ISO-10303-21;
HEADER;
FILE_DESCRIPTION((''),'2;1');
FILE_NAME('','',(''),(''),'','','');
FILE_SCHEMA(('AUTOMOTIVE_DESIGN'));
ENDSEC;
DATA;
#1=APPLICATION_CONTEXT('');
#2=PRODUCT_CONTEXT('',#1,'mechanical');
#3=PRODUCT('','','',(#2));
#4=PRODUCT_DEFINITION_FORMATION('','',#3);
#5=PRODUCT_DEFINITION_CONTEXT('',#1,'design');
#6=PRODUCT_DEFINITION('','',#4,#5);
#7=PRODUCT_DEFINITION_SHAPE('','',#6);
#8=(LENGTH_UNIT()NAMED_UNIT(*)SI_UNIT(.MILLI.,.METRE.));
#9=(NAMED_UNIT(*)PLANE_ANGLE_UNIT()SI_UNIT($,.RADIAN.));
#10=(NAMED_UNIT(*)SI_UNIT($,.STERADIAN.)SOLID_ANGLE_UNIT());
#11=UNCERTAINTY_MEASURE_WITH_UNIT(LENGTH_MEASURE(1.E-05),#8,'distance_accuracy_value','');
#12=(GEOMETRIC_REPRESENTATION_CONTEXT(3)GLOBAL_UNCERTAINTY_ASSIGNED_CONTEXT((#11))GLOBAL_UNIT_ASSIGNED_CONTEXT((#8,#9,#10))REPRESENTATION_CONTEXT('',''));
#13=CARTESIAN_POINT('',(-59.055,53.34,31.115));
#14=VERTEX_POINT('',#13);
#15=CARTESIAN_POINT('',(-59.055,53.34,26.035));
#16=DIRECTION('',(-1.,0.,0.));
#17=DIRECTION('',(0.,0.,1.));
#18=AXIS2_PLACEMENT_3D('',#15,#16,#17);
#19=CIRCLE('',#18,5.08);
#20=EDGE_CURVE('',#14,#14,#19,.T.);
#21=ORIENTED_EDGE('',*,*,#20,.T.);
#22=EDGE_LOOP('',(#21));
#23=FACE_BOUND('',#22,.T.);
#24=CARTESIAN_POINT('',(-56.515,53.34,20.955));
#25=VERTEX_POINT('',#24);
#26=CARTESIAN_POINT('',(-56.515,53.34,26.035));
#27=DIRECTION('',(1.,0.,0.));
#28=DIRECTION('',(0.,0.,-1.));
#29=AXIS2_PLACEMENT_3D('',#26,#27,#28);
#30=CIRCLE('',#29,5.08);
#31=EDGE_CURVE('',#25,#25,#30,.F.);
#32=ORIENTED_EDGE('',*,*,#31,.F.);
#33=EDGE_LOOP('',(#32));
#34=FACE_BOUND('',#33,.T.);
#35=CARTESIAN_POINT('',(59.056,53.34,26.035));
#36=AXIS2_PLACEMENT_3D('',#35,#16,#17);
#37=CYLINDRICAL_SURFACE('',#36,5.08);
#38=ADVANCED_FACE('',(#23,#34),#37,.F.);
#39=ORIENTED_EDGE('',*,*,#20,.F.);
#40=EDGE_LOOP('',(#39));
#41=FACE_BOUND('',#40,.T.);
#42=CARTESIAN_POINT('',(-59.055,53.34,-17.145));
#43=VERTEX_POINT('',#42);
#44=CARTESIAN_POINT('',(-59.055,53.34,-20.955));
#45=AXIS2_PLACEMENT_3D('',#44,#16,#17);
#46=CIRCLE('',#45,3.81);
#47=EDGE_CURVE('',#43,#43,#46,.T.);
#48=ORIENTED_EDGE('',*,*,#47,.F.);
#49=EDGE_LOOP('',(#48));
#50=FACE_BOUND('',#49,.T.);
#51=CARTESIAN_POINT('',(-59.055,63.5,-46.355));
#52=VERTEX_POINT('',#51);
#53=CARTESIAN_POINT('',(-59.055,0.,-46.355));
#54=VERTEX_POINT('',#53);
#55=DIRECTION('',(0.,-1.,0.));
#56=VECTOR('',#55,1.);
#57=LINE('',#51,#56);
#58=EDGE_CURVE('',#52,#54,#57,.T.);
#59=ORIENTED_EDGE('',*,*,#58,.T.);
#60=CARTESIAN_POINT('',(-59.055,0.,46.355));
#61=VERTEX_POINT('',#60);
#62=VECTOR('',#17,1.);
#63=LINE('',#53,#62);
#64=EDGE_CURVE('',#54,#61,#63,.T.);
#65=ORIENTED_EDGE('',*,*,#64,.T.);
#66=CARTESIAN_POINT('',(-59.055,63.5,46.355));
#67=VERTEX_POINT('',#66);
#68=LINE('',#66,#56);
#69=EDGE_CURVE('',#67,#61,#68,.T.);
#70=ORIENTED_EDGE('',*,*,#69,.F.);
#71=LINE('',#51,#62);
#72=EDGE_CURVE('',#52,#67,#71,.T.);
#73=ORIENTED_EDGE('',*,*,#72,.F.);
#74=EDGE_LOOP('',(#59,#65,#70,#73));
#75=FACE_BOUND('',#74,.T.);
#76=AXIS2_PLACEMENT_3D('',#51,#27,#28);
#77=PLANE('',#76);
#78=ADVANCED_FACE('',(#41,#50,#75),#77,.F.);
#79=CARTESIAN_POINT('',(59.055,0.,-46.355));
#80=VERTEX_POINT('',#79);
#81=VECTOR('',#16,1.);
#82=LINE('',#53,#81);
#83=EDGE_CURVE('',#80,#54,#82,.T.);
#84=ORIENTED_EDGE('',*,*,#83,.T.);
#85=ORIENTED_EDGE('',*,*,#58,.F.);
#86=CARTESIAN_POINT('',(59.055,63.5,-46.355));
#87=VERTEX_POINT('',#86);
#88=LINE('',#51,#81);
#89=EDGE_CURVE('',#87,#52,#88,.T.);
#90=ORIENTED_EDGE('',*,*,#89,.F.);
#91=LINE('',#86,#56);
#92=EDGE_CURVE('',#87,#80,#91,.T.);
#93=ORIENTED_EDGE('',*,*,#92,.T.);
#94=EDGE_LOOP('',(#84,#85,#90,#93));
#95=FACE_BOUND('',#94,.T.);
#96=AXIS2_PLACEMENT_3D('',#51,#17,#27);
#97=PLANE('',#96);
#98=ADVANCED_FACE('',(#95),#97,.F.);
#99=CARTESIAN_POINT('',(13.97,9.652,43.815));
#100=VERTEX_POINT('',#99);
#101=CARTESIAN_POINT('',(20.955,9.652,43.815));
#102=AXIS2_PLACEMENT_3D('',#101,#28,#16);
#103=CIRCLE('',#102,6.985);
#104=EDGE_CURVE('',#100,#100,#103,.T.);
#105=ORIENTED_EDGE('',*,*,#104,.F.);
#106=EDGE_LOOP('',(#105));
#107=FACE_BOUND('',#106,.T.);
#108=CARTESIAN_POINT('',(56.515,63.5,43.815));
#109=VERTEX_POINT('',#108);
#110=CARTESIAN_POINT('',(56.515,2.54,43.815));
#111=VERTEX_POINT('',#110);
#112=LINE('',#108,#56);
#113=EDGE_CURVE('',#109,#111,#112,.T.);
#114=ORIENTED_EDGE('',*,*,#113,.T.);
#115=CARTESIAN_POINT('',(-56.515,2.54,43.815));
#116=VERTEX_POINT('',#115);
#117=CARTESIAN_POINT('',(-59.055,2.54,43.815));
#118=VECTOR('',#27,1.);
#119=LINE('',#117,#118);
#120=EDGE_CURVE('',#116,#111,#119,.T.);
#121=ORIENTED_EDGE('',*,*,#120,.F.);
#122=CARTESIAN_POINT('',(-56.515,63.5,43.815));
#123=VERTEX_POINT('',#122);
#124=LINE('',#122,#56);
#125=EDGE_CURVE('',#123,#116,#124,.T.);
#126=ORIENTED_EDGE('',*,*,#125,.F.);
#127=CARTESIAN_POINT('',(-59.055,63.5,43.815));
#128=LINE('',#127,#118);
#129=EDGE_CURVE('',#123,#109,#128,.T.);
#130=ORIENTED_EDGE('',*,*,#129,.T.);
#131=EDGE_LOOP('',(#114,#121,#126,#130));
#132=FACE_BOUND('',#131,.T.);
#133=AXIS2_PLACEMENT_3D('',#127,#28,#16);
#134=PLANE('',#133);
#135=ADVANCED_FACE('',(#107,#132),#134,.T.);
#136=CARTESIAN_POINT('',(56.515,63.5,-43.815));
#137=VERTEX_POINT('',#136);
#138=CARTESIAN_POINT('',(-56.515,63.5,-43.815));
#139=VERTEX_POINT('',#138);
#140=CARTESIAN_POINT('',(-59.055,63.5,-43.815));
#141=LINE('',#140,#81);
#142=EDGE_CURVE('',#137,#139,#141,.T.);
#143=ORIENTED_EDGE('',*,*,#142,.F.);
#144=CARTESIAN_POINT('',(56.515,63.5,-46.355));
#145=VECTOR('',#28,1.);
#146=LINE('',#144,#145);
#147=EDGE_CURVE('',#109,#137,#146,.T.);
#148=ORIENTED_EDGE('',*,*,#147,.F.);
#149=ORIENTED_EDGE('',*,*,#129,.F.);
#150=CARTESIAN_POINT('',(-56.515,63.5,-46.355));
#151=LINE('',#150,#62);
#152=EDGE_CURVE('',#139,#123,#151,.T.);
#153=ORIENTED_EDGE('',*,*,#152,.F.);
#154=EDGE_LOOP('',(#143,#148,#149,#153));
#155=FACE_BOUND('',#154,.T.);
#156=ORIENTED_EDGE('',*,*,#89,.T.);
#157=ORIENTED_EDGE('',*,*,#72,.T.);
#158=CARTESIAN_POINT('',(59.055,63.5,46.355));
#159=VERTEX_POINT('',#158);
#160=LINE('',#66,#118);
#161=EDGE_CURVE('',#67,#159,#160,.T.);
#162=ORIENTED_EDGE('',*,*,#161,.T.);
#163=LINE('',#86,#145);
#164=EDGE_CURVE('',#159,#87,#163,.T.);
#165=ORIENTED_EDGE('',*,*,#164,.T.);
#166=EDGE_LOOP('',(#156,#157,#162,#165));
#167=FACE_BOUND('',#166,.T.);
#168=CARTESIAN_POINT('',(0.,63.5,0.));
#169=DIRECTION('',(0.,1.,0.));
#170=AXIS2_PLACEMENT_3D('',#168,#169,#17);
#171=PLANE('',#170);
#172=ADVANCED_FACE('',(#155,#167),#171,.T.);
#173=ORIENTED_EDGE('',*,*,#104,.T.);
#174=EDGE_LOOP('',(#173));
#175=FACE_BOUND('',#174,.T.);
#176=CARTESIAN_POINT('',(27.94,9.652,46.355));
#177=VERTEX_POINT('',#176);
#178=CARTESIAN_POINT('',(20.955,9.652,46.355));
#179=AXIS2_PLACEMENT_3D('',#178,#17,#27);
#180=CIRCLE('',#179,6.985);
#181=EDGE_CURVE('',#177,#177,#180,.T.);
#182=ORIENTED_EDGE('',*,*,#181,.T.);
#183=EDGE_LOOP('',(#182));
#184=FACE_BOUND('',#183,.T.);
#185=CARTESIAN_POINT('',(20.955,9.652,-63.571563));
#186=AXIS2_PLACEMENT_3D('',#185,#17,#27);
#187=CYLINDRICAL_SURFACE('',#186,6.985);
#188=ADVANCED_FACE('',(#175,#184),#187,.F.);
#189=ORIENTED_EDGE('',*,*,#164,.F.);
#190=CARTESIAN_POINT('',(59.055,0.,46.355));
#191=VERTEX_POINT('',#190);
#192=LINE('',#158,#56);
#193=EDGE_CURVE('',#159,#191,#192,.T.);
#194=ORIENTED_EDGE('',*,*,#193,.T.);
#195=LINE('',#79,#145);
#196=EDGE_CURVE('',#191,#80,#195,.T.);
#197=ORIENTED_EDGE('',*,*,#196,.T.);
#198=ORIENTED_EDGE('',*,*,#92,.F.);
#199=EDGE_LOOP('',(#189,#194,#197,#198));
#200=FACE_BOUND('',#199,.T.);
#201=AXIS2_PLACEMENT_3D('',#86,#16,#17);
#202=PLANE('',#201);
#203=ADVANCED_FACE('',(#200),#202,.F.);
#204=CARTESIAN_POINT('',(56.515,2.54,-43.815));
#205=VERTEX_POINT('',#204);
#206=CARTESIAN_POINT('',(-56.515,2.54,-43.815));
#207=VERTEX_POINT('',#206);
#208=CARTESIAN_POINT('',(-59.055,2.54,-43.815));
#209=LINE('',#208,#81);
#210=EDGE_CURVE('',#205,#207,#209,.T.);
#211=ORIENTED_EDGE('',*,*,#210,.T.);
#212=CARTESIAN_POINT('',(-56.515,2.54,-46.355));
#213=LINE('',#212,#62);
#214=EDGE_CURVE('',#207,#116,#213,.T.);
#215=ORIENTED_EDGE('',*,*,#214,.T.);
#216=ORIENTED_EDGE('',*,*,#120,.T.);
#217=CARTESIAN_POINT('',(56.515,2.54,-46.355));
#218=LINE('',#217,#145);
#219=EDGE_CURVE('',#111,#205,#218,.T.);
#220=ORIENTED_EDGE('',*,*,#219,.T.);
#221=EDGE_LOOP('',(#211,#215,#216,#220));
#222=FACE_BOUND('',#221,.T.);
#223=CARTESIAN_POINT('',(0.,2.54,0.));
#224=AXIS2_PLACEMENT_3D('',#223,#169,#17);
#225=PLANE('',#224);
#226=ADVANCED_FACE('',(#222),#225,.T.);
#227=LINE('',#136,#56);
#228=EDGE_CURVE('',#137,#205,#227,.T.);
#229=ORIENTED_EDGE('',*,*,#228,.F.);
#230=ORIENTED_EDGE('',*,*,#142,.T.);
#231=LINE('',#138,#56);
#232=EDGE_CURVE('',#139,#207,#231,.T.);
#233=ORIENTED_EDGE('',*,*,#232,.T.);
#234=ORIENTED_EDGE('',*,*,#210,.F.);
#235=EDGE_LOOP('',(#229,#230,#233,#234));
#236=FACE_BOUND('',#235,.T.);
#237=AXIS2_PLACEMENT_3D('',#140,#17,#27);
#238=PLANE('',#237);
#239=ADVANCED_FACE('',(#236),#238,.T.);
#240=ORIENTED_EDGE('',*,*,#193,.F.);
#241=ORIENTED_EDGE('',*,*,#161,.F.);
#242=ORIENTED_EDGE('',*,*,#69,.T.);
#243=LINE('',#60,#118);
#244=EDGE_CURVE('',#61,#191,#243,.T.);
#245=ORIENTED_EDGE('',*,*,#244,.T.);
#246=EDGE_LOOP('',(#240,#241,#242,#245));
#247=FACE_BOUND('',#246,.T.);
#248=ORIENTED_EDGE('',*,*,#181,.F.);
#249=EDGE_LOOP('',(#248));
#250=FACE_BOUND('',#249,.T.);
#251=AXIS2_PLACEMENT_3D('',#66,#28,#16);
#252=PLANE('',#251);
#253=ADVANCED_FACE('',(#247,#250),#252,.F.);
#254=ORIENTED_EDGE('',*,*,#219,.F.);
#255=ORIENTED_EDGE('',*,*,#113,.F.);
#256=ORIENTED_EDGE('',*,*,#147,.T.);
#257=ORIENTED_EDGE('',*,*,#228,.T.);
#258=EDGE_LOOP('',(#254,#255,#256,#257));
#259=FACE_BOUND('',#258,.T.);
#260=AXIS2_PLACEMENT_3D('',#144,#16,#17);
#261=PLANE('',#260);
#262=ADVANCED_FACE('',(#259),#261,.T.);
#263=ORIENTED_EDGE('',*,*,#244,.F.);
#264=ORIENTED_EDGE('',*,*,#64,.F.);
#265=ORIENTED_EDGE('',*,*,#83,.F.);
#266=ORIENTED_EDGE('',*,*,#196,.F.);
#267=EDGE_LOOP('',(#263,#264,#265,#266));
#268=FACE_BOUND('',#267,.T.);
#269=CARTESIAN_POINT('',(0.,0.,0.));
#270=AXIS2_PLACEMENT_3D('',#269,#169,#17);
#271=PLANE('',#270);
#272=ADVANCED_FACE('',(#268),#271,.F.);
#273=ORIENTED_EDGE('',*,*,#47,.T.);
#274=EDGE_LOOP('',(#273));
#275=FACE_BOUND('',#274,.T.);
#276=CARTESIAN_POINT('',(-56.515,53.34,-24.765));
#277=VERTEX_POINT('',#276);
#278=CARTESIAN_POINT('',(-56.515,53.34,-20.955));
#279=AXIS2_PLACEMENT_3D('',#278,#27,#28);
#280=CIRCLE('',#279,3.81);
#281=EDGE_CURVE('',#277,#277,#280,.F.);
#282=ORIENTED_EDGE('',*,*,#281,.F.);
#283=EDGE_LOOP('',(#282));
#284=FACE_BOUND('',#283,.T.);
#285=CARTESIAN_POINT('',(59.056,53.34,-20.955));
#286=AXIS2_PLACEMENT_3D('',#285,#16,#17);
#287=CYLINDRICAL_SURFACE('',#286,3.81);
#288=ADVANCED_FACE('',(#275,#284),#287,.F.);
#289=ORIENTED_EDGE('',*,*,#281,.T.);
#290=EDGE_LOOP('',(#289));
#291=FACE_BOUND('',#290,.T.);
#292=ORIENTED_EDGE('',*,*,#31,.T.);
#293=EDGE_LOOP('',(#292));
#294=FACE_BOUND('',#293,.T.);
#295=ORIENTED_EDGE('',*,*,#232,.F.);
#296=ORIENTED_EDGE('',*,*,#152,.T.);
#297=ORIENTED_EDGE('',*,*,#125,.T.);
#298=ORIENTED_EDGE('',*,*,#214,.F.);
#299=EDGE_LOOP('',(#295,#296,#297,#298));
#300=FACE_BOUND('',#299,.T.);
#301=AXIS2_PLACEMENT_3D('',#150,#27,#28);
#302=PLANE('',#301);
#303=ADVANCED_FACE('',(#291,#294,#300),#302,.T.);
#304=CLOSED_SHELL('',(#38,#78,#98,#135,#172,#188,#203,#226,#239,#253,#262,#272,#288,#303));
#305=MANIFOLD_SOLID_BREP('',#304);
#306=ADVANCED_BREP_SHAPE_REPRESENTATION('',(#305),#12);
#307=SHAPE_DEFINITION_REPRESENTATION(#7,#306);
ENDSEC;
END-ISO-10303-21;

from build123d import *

# Parameters (mm, degrees)
SKETCH2_W           = 118.11
SKETCH2_H           = 92.71
BOSS_EXTRUDE2_DEPTH = 63.5
SHELL1_T            = -2.54
SKETCH3_R           = 6.985
CUT_EXTRUDE1_DEPTH  = 90.17
CUT_EXTRUDE2_REACH  = 120.11
SKETCH4_R           = 5.08
CUT_EXTRUDE3_REACH  = 120.11
SKETCH5_R           = 3.81


with BuildPart() as part:
    # Sketch2 → Boss-Extrude2 (new body)
    with BuildSketch(Plane(origin=(0, 0, 0), x_dir=(1, 0, 0), z_dir=(0, 1, 0))):
        Rectangle(SKETCH2_W, SKETCH2_H)
    extrude(amount=BOSS_EXTRUDE2_DEPTH)

    # Shell1
    shell1_openings = [part.faces().sort_by_distance(p)[0] for p in [
        (0, 63.5, 0),
    ]]
    offset(amount=SHELL1_T, openings=shell1_openings, kind=Kind.INTERSECTION)

    # Sketch3 → Cut-Extrude1 (cut)
    with BuildSketch(Plane.XY.offset(46.355)):
        with Locations((20.955, 9.652)):
            Circle(SKETCH3_R)
    extrude(amount=-CUT_EXTRUDE1_DEPTH, mode=Mode.SUBTRACT)

    # Sketch4 → Cut-Extrude2 (cut, up to next)
    with BuildSketch(Plane.ZY.offset(59.055), mode=Mode.PRIVATE) as cut_extrude2_sk1:
        with Locations((26.035, 53.34)):
            Circle(SKETCH4_R)
    cut_extrude2_tool1 = extrude(cut_extrude2_sk1.sketch, amount=-CUT_EXTRUDE2_REACH, mode=Mode.PRIVATE) & part.part
    add(cut_extrude2_tool1.solids().sort_by_distance((-59.055, 53.34, 26.035))[0], mode=Mode.SUBTRACT)

    # Sketch5 → Cut-Extrude3 (cut, up to next)
    with BuildSketch(Plane.ZY.offset(59.055), mode=Mode.PRIVATE) as cut_extrude3_sk1:
        with Locations((-20.955, 53.34)):
            Circle(SKETCH5_R)
    cut_extrude3_tool1 = extrude(cut_extrude3_sk1.sketch, amount=-CUT_EXTRUDE3_REACH, mode=Mode.PRIVATE) & part.part
    add(cut_extrude3_tool1.solids().sort_by_distance((-59.055, 53.34, -20.955))[0], mode=Mode.SUBTRACT)


solid = part.part
